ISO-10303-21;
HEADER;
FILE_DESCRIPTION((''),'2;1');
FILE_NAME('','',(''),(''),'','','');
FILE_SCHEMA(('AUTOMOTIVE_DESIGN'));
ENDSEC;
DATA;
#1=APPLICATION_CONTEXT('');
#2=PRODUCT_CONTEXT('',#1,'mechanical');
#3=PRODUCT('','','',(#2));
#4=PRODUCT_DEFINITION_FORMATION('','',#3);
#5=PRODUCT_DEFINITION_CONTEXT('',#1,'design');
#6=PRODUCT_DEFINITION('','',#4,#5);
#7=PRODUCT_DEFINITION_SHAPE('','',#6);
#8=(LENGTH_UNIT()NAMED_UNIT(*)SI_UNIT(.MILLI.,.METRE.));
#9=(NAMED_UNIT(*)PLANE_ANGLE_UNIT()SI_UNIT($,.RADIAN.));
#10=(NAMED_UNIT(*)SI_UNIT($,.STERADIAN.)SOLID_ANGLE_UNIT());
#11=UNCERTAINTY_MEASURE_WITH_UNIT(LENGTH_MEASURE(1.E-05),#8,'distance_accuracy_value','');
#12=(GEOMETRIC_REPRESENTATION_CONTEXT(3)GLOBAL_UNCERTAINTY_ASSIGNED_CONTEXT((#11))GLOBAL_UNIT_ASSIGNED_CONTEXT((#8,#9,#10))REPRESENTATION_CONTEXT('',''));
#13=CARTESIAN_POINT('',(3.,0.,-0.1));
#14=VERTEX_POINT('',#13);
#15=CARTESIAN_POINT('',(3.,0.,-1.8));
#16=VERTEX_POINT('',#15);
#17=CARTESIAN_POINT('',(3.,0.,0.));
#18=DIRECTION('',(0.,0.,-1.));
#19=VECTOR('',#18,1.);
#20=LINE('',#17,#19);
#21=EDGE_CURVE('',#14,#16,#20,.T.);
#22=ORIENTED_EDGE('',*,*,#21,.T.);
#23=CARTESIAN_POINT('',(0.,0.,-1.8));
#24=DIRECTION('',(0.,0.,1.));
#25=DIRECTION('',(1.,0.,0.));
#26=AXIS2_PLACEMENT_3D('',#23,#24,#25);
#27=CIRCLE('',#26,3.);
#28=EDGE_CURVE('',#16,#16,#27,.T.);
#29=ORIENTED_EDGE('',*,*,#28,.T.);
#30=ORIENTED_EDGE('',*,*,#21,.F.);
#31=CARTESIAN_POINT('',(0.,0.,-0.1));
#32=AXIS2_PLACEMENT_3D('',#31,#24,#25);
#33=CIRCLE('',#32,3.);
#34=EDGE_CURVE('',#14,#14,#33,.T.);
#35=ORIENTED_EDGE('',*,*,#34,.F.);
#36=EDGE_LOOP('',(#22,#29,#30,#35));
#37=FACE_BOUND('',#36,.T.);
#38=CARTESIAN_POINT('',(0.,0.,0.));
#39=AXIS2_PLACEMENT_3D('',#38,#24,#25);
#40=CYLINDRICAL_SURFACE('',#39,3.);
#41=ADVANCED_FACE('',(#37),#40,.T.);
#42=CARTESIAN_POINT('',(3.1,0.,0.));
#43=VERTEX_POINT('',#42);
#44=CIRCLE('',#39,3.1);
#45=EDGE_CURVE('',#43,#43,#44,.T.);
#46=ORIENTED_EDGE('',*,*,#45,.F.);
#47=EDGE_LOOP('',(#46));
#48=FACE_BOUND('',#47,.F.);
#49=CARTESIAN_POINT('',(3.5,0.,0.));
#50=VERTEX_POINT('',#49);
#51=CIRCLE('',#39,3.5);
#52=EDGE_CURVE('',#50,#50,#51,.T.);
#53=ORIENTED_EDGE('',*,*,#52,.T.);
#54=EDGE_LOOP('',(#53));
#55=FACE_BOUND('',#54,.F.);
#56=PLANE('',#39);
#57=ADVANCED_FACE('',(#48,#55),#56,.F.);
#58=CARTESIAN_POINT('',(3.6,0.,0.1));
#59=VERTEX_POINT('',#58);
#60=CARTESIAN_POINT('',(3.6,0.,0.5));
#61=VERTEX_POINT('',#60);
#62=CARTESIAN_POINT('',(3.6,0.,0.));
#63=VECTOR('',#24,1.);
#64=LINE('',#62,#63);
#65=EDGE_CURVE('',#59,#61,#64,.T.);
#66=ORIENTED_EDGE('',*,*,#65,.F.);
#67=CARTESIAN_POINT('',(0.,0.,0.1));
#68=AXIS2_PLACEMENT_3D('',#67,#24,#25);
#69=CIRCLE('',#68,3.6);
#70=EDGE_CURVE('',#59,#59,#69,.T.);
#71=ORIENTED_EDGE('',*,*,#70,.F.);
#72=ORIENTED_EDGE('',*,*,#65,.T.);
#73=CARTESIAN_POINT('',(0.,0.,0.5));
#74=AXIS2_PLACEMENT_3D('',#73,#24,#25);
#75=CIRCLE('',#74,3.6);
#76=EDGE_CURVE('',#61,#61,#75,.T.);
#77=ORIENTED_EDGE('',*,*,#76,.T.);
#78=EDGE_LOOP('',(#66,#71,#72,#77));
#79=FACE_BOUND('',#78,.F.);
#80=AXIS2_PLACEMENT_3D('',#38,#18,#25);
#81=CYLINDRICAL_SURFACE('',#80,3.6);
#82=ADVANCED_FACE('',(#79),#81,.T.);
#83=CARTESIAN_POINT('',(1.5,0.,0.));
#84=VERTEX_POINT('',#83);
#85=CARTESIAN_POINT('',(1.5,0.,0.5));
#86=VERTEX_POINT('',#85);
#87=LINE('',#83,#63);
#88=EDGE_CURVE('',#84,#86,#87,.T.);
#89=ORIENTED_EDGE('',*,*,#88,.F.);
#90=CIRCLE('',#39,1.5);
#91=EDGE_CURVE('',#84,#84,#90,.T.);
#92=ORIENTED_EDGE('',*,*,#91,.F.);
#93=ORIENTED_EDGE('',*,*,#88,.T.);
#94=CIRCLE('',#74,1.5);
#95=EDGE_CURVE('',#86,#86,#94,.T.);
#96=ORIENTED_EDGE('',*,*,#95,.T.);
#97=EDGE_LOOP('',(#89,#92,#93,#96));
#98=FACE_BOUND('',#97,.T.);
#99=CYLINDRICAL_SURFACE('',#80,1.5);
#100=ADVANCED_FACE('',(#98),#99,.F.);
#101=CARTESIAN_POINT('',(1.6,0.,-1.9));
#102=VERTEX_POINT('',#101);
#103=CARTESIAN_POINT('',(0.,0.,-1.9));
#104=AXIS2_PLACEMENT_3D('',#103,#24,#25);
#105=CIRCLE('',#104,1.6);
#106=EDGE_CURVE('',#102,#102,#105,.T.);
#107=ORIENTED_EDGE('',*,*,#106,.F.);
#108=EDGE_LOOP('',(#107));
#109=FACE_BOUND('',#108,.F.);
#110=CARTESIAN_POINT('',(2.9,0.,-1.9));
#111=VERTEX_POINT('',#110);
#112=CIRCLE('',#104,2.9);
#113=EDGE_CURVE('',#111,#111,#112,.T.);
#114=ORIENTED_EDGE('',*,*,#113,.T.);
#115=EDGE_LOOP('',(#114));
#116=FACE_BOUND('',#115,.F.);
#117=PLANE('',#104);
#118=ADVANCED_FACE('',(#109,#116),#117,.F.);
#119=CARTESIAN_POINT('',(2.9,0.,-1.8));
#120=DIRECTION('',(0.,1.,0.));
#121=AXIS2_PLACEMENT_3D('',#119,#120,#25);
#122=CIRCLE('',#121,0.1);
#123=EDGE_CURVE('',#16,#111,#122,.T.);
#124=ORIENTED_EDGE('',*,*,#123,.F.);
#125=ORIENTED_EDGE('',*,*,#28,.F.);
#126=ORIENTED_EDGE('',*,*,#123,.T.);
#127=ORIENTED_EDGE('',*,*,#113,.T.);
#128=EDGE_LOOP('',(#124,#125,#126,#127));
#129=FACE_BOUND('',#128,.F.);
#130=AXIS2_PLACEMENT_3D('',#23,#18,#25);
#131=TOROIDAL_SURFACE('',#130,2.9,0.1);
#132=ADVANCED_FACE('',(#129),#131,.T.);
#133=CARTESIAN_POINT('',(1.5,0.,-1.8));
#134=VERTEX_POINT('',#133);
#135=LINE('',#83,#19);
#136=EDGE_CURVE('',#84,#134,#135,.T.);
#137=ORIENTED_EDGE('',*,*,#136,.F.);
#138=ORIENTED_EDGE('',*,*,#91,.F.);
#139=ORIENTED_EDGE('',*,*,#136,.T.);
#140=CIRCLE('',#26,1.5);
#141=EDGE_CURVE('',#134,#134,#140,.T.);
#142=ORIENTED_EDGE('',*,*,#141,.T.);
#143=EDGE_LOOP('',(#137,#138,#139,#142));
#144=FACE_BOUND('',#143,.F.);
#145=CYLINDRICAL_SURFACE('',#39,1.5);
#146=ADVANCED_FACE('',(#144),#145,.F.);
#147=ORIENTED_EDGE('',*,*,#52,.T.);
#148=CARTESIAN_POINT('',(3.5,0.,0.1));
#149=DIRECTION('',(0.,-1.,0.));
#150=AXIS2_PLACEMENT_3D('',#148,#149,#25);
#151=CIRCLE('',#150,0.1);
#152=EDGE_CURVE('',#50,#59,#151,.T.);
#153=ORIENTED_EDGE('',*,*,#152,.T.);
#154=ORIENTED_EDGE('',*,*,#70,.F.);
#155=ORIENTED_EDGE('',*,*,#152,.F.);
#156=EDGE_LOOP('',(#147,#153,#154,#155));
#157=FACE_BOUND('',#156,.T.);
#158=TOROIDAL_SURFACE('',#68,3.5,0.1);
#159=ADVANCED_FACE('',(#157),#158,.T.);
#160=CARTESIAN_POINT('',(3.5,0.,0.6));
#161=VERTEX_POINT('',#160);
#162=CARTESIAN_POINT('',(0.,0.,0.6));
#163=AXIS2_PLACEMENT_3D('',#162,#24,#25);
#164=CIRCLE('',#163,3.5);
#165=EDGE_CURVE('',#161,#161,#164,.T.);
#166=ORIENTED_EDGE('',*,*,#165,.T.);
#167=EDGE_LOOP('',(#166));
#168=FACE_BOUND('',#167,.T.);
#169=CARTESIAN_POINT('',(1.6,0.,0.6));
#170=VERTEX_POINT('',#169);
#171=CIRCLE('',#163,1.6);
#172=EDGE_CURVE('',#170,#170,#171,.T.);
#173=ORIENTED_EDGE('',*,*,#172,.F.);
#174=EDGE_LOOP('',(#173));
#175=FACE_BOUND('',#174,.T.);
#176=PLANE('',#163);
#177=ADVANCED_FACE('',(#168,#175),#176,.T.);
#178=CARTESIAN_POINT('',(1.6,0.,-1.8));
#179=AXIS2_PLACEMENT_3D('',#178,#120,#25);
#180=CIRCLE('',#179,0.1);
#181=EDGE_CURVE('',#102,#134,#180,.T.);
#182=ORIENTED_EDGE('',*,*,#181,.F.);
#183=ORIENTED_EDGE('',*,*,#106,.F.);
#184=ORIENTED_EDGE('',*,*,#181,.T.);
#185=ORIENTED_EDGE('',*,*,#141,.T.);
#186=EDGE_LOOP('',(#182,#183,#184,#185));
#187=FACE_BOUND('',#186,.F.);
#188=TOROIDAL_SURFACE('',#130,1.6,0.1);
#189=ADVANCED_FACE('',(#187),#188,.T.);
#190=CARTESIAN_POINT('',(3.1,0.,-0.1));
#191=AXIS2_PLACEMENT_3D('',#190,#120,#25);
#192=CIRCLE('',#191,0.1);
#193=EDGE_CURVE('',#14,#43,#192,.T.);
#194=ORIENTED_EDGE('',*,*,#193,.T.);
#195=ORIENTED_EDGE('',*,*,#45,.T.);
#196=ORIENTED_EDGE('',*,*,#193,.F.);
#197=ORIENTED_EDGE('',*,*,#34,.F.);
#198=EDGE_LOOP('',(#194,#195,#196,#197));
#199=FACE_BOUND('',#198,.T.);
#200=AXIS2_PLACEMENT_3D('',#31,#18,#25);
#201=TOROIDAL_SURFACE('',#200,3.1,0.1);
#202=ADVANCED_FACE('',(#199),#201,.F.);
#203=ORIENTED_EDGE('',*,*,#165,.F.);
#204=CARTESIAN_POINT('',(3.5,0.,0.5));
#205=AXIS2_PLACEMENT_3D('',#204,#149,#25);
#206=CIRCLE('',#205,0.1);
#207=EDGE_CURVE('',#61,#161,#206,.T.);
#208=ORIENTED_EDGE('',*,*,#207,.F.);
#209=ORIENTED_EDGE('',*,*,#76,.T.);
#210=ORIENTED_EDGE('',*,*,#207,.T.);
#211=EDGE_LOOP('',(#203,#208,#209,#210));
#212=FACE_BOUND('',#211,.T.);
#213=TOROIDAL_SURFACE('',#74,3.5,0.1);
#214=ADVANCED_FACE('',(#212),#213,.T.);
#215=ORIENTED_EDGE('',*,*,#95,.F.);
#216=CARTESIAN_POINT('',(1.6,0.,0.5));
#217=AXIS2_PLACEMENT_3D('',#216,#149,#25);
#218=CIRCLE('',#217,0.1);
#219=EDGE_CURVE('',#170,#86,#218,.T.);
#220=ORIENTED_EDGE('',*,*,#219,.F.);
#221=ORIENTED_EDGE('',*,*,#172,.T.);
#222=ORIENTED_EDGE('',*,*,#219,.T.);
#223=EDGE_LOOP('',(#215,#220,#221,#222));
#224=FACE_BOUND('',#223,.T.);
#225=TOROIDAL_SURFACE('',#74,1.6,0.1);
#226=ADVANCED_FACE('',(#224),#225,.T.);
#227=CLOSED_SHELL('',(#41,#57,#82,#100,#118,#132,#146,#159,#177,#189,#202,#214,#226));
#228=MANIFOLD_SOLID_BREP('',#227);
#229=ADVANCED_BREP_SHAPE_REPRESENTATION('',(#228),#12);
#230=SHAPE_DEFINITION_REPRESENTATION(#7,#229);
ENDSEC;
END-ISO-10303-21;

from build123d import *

# Parameters (mm, degrees)
F0_R     = 3.6
F0_R_2   = 3
F0_R_3   = 1.5
F1_DEPTH = 0.6
F2_DEPTH = 1.9
F3_R     = 0.1


with BuildPart() as f1:
    # F0 (on Top) → F1 (new body)
    with BuildSketch(Plane.XY):
        Circle(F0_R)
        Circle(F0_R_2, mode=Mode.SUBTRACT)
        Circle(F0_R_2)
        Circle(F0_R_3, mode=Mode.SUBTRACT)
    extrude(amount=F1_DEPTH)

    # F0 (on Top) → F2 (join)
    with BuildSketch(Plane.XY):
        Circle(F0_R_2)
        Circle(F0_R_3, mode=Mode.SUBTRACT)
    extrude(amount=-F2_DEPTH)

    # F3
    f3_edges = [f1.edges().sort_by_distance(p)[0] for p in [
        (-3, 0, -1.9),
        (-1.5, 0, -1.9),
        (-3, 0, 0),
        (-3.6, 0, 0),
        (-3.6, 0, 0.6),
        (-1.5, 0, 0.6),
    ]]
    fillet(f3_edges, radius=F3_R)


solid = f1.part
